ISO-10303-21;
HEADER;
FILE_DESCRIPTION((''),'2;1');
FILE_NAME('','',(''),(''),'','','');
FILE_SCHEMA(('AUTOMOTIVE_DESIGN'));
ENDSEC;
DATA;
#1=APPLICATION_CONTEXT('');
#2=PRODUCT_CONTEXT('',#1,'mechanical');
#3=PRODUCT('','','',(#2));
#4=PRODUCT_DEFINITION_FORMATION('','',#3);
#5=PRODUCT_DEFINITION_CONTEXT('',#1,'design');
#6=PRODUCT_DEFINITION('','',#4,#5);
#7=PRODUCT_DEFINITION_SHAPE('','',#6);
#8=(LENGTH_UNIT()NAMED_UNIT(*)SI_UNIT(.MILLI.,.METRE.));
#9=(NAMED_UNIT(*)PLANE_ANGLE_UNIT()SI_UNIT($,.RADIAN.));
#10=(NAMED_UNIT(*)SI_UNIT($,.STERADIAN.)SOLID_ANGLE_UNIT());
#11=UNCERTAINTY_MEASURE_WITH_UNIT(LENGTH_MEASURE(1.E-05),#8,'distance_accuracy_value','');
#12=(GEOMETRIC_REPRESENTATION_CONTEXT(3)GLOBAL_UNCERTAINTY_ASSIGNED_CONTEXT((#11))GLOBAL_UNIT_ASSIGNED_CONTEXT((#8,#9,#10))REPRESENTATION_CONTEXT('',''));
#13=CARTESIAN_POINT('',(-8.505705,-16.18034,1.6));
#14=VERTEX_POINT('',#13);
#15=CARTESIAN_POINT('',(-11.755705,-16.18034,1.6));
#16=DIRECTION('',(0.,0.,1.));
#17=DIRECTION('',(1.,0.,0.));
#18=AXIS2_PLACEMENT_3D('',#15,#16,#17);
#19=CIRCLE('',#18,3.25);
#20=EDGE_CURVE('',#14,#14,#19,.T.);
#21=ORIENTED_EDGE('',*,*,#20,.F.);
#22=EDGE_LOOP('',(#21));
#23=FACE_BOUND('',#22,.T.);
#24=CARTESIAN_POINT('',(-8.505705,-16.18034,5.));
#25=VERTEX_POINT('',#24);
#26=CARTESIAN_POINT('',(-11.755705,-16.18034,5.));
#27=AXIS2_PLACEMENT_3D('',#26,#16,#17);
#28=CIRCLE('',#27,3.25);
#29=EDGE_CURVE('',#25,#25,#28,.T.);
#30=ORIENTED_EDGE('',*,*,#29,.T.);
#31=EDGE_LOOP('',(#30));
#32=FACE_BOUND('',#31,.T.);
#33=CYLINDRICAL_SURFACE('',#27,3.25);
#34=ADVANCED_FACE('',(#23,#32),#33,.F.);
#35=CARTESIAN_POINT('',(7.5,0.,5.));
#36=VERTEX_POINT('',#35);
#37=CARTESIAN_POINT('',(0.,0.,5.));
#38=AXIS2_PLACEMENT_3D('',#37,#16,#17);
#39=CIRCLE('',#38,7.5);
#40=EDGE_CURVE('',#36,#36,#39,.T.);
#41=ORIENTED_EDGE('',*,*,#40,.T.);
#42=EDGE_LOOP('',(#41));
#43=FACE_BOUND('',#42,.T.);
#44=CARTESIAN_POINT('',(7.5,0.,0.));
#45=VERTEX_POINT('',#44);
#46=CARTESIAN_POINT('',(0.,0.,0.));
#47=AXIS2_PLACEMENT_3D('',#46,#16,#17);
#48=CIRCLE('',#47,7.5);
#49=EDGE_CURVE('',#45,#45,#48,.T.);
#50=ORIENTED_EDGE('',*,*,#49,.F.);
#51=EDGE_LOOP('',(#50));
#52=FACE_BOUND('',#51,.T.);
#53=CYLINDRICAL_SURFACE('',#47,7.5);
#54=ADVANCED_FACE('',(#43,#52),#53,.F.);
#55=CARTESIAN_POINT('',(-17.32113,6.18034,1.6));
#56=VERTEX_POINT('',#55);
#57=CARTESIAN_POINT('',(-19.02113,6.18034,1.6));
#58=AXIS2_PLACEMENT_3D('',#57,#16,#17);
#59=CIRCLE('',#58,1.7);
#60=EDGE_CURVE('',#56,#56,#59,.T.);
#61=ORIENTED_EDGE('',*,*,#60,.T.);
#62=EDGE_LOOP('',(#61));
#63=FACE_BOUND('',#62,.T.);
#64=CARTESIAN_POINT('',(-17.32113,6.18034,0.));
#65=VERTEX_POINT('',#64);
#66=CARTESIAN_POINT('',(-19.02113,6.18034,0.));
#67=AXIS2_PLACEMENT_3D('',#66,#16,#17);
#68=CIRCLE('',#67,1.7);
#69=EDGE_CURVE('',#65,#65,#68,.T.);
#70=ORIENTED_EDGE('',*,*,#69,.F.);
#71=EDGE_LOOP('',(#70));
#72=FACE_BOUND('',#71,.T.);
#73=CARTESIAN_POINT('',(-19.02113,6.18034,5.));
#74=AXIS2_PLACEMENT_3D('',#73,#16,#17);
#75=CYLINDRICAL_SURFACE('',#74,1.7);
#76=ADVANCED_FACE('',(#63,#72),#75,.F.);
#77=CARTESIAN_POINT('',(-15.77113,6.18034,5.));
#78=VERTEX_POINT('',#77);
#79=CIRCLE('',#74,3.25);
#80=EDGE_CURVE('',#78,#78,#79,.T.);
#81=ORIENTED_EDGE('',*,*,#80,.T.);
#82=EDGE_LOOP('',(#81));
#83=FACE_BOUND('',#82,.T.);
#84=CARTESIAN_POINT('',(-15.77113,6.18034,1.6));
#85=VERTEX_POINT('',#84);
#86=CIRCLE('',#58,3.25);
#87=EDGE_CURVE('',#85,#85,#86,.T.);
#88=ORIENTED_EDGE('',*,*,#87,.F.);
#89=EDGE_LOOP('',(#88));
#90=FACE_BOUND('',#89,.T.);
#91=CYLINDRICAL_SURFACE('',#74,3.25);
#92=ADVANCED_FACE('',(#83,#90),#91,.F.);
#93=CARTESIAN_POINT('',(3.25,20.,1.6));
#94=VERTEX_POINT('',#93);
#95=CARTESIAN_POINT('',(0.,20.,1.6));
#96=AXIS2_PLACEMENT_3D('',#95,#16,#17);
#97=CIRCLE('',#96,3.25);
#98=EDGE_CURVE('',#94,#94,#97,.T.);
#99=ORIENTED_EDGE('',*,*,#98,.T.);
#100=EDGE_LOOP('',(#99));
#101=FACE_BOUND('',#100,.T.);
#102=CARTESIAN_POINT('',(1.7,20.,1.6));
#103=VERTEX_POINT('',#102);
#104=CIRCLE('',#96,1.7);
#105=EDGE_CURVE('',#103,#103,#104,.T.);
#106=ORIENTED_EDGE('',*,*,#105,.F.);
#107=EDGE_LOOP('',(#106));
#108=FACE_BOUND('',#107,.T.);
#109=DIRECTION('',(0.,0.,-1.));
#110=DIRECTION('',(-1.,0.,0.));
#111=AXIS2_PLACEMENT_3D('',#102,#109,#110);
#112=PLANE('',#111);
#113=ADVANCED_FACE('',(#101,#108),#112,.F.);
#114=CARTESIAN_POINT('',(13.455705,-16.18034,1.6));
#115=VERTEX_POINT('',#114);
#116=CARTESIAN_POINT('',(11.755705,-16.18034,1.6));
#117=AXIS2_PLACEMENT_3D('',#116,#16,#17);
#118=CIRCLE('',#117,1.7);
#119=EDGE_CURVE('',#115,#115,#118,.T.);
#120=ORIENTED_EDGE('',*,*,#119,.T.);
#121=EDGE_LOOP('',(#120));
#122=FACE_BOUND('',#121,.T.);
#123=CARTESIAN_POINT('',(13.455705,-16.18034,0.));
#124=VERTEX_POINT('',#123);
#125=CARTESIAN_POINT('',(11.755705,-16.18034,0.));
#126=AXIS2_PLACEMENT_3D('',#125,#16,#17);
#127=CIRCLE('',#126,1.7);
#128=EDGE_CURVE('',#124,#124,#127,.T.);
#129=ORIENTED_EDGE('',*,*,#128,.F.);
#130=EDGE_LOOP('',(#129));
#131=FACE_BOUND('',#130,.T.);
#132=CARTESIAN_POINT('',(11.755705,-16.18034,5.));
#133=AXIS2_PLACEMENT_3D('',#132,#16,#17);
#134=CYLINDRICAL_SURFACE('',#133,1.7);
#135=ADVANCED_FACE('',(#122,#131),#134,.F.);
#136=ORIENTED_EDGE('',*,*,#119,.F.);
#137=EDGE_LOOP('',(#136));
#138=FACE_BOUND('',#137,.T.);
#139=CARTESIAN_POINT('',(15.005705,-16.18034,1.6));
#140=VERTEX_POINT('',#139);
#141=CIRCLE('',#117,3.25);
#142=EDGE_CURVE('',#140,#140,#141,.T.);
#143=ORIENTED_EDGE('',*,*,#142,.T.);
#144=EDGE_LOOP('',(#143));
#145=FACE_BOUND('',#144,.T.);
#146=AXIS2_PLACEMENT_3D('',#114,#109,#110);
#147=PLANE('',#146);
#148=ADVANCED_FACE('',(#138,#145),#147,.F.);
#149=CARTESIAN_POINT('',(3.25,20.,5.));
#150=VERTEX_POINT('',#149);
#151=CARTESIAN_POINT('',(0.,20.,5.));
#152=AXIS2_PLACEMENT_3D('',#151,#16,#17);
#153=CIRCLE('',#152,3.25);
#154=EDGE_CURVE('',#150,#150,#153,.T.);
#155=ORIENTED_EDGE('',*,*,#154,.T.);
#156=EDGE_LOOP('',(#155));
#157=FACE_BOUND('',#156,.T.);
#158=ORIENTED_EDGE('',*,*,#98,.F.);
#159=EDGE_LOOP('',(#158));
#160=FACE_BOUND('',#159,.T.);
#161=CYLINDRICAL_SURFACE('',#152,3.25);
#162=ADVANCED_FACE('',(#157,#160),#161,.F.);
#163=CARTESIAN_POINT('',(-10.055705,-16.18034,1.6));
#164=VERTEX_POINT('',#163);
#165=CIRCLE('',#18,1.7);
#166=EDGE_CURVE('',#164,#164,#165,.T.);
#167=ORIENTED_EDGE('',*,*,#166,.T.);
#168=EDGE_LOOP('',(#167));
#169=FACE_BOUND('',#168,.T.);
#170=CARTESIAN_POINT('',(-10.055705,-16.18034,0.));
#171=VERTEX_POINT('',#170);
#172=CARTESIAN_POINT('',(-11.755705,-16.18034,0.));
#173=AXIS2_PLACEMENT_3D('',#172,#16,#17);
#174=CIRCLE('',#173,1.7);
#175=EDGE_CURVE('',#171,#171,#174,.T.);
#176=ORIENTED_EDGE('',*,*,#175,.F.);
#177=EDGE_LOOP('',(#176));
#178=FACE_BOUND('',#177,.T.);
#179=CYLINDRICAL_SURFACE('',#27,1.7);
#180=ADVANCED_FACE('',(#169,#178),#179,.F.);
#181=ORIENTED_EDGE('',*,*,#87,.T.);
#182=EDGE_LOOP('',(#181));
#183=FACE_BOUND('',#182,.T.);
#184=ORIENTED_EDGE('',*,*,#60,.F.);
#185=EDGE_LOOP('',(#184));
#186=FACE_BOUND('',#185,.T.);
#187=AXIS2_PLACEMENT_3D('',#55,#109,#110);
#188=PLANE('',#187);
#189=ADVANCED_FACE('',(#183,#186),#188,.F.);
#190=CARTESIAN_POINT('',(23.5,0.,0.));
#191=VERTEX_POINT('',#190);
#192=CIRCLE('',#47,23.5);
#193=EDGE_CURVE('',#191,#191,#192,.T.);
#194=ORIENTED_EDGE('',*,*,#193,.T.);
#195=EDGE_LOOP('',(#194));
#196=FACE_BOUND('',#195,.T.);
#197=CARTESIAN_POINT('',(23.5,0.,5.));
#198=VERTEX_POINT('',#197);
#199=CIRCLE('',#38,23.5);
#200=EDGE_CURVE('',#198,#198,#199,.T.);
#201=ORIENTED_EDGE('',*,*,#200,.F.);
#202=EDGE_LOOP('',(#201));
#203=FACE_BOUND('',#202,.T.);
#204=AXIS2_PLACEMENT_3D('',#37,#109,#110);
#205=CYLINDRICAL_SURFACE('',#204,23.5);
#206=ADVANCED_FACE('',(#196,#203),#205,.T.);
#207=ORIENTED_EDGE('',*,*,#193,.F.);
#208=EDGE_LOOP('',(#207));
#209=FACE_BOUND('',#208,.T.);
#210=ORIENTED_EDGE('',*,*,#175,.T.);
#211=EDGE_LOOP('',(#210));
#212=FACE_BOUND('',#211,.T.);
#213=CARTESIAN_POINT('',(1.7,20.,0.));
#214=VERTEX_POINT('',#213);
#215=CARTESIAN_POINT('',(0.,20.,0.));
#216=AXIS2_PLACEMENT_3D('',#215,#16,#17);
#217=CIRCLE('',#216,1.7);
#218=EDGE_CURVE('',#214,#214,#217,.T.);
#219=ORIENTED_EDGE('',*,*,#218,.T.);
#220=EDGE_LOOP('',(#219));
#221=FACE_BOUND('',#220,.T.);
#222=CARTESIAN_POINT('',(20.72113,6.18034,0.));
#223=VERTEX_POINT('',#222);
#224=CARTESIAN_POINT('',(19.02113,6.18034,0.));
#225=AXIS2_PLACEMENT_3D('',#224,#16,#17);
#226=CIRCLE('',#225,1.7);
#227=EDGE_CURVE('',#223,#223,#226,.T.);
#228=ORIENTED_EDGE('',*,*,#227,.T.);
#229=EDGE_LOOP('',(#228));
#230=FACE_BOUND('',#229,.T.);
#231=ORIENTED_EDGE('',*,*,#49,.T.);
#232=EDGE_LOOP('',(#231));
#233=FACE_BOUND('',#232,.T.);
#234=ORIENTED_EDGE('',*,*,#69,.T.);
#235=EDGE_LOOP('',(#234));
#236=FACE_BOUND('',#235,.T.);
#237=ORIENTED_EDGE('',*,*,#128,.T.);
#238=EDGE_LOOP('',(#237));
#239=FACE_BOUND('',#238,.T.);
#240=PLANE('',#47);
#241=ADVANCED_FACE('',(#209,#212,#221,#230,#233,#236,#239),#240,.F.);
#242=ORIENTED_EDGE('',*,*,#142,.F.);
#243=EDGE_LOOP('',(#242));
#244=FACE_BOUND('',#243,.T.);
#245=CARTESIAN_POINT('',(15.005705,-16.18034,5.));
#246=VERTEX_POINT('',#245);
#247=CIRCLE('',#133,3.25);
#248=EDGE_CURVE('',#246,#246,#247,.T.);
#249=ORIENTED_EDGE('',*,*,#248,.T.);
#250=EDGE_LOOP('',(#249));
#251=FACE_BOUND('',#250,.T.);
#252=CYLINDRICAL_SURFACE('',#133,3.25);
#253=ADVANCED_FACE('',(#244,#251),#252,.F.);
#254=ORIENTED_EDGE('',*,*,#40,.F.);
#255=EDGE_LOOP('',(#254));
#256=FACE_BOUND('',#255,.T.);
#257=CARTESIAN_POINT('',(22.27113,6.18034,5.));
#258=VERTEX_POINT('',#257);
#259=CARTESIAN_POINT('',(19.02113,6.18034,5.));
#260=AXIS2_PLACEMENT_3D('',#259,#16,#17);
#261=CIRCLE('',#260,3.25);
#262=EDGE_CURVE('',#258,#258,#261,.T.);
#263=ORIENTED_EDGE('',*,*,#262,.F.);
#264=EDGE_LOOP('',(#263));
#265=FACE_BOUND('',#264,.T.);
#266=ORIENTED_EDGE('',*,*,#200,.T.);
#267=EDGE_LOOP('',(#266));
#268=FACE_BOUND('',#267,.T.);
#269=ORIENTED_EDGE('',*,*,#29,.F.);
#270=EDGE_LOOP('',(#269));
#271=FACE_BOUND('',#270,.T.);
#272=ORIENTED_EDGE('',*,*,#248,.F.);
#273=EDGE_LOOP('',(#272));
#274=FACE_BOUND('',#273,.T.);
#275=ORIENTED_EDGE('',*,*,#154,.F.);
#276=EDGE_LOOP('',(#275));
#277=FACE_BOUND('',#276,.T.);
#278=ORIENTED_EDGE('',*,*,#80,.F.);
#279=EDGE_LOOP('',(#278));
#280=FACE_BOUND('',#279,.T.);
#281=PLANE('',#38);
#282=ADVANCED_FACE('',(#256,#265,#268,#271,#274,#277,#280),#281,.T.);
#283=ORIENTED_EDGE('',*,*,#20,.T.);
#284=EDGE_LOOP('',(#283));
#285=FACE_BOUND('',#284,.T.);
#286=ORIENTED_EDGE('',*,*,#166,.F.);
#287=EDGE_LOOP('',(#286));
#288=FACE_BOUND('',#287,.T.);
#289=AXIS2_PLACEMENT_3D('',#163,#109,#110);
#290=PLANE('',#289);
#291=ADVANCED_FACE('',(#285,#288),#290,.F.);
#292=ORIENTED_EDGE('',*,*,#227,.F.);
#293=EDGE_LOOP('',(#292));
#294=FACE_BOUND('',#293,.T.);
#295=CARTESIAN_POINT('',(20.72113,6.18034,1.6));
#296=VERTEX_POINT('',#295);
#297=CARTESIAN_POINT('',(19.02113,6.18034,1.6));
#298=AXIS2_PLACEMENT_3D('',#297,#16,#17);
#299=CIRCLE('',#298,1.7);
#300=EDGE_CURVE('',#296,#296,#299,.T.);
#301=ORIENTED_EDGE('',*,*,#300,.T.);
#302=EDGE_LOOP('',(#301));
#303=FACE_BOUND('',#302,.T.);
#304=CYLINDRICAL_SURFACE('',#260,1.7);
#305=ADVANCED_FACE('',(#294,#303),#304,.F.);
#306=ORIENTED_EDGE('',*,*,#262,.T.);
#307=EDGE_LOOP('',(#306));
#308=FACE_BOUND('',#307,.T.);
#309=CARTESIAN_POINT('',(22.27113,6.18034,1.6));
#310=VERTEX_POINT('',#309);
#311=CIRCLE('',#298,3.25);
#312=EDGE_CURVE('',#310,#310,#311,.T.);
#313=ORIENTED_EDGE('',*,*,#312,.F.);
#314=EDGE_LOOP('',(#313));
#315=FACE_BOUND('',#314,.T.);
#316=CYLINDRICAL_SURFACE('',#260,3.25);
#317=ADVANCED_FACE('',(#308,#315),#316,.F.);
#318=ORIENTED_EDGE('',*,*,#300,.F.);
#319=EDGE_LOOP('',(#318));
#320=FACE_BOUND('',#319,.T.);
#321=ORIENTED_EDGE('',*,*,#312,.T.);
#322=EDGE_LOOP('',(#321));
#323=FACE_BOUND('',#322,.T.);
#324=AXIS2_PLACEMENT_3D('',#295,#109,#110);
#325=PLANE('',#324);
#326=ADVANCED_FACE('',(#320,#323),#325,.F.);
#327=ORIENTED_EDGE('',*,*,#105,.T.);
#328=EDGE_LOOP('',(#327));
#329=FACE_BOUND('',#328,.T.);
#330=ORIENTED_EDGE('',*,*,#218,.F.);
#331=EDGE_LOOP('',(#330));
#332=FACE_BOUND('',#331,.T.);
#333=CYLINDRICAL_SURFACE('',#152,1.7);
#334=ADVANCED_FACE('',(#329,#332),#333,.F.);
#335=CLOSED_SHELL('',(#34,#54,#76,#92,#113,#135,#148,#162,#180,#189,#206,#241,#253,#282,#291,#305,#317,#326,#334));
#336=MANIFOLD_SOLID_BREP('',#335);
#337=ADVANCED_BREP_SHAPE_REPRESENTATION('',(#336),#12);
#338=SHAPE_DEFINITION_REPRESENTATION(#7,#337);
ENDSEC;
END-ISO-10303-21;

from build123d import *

# Parameters (mm, degrees)
SKETCH1_R               = 23.5
BOSS_EXTRUDE1_DEPTH     = 5
CUT_EXTRUDE1_DEPTH      = 34.608034754
CUT_EXTRUDE1_DEPTH_BACK = 34.608034754
SKETCH5_R               = 7.5
CIRPATTERN1_COUNT       = 5


with BuildPart() as part:
    # Sketch1 → Boss-Extrude1 (new body)
    with BuildSketch(Plane.XY):
        Circle(SKETCH1_R)
    extrude(amount=BOSS_EXTRUDE1_DEPTH)

    # Sketch5 → Cut-Extrude1 (cut, two sides: drawn at the far end of the back side and taken through both)
    with BuildSketch(Plane.XY.offset(5).offset(-CUT_EXTRUDE1_DEPTH_BACK)):
        Circle(SKETCH5_R)
    extrude(amount=CUT_EXTRUDE1_DEPTH + CUT_EXTRUDE1_DEPTH_BACK, mode=Mode.SUBTRACT)

    # Sketch3 → CBORE for M3 Hex Socket Head Cap Screw1 (revolve, cut)
    with BuildSketch(Plane(origin=(0, 20, 5), x_dir=(0, -1, 0), z_dir=(1, 0, 0))):
        Polygon((0, 0), (0, 16.021463052), (1.7, 15), (1.7, 3.4), (3.25, 3.4), (3.25, 0), align=None)
    cbore_for_m3_hex_socket_head_cap_screw1 = revolve(axis=Axis((0, 20, 11.35), (0, 0, -1)), mode=Mode.SUBTRACT)

    # CirPattern1: CBORE for M3 Hex Socket Head Cap Screw1 ×5 about axis
    cirpattern1_axis = Axis((0, 0, 0), (0, 0, 1))
    for i in range(1, CIRPATTERN1_COUNT):
        add(cbore_for_m3_hex_socket_head_cap_screw1.rotate(cirpattern1_axis, i * 360 / CIRPATTERN1_COUNT), mode=Mode.SUBTRACT)


solid = part.part
